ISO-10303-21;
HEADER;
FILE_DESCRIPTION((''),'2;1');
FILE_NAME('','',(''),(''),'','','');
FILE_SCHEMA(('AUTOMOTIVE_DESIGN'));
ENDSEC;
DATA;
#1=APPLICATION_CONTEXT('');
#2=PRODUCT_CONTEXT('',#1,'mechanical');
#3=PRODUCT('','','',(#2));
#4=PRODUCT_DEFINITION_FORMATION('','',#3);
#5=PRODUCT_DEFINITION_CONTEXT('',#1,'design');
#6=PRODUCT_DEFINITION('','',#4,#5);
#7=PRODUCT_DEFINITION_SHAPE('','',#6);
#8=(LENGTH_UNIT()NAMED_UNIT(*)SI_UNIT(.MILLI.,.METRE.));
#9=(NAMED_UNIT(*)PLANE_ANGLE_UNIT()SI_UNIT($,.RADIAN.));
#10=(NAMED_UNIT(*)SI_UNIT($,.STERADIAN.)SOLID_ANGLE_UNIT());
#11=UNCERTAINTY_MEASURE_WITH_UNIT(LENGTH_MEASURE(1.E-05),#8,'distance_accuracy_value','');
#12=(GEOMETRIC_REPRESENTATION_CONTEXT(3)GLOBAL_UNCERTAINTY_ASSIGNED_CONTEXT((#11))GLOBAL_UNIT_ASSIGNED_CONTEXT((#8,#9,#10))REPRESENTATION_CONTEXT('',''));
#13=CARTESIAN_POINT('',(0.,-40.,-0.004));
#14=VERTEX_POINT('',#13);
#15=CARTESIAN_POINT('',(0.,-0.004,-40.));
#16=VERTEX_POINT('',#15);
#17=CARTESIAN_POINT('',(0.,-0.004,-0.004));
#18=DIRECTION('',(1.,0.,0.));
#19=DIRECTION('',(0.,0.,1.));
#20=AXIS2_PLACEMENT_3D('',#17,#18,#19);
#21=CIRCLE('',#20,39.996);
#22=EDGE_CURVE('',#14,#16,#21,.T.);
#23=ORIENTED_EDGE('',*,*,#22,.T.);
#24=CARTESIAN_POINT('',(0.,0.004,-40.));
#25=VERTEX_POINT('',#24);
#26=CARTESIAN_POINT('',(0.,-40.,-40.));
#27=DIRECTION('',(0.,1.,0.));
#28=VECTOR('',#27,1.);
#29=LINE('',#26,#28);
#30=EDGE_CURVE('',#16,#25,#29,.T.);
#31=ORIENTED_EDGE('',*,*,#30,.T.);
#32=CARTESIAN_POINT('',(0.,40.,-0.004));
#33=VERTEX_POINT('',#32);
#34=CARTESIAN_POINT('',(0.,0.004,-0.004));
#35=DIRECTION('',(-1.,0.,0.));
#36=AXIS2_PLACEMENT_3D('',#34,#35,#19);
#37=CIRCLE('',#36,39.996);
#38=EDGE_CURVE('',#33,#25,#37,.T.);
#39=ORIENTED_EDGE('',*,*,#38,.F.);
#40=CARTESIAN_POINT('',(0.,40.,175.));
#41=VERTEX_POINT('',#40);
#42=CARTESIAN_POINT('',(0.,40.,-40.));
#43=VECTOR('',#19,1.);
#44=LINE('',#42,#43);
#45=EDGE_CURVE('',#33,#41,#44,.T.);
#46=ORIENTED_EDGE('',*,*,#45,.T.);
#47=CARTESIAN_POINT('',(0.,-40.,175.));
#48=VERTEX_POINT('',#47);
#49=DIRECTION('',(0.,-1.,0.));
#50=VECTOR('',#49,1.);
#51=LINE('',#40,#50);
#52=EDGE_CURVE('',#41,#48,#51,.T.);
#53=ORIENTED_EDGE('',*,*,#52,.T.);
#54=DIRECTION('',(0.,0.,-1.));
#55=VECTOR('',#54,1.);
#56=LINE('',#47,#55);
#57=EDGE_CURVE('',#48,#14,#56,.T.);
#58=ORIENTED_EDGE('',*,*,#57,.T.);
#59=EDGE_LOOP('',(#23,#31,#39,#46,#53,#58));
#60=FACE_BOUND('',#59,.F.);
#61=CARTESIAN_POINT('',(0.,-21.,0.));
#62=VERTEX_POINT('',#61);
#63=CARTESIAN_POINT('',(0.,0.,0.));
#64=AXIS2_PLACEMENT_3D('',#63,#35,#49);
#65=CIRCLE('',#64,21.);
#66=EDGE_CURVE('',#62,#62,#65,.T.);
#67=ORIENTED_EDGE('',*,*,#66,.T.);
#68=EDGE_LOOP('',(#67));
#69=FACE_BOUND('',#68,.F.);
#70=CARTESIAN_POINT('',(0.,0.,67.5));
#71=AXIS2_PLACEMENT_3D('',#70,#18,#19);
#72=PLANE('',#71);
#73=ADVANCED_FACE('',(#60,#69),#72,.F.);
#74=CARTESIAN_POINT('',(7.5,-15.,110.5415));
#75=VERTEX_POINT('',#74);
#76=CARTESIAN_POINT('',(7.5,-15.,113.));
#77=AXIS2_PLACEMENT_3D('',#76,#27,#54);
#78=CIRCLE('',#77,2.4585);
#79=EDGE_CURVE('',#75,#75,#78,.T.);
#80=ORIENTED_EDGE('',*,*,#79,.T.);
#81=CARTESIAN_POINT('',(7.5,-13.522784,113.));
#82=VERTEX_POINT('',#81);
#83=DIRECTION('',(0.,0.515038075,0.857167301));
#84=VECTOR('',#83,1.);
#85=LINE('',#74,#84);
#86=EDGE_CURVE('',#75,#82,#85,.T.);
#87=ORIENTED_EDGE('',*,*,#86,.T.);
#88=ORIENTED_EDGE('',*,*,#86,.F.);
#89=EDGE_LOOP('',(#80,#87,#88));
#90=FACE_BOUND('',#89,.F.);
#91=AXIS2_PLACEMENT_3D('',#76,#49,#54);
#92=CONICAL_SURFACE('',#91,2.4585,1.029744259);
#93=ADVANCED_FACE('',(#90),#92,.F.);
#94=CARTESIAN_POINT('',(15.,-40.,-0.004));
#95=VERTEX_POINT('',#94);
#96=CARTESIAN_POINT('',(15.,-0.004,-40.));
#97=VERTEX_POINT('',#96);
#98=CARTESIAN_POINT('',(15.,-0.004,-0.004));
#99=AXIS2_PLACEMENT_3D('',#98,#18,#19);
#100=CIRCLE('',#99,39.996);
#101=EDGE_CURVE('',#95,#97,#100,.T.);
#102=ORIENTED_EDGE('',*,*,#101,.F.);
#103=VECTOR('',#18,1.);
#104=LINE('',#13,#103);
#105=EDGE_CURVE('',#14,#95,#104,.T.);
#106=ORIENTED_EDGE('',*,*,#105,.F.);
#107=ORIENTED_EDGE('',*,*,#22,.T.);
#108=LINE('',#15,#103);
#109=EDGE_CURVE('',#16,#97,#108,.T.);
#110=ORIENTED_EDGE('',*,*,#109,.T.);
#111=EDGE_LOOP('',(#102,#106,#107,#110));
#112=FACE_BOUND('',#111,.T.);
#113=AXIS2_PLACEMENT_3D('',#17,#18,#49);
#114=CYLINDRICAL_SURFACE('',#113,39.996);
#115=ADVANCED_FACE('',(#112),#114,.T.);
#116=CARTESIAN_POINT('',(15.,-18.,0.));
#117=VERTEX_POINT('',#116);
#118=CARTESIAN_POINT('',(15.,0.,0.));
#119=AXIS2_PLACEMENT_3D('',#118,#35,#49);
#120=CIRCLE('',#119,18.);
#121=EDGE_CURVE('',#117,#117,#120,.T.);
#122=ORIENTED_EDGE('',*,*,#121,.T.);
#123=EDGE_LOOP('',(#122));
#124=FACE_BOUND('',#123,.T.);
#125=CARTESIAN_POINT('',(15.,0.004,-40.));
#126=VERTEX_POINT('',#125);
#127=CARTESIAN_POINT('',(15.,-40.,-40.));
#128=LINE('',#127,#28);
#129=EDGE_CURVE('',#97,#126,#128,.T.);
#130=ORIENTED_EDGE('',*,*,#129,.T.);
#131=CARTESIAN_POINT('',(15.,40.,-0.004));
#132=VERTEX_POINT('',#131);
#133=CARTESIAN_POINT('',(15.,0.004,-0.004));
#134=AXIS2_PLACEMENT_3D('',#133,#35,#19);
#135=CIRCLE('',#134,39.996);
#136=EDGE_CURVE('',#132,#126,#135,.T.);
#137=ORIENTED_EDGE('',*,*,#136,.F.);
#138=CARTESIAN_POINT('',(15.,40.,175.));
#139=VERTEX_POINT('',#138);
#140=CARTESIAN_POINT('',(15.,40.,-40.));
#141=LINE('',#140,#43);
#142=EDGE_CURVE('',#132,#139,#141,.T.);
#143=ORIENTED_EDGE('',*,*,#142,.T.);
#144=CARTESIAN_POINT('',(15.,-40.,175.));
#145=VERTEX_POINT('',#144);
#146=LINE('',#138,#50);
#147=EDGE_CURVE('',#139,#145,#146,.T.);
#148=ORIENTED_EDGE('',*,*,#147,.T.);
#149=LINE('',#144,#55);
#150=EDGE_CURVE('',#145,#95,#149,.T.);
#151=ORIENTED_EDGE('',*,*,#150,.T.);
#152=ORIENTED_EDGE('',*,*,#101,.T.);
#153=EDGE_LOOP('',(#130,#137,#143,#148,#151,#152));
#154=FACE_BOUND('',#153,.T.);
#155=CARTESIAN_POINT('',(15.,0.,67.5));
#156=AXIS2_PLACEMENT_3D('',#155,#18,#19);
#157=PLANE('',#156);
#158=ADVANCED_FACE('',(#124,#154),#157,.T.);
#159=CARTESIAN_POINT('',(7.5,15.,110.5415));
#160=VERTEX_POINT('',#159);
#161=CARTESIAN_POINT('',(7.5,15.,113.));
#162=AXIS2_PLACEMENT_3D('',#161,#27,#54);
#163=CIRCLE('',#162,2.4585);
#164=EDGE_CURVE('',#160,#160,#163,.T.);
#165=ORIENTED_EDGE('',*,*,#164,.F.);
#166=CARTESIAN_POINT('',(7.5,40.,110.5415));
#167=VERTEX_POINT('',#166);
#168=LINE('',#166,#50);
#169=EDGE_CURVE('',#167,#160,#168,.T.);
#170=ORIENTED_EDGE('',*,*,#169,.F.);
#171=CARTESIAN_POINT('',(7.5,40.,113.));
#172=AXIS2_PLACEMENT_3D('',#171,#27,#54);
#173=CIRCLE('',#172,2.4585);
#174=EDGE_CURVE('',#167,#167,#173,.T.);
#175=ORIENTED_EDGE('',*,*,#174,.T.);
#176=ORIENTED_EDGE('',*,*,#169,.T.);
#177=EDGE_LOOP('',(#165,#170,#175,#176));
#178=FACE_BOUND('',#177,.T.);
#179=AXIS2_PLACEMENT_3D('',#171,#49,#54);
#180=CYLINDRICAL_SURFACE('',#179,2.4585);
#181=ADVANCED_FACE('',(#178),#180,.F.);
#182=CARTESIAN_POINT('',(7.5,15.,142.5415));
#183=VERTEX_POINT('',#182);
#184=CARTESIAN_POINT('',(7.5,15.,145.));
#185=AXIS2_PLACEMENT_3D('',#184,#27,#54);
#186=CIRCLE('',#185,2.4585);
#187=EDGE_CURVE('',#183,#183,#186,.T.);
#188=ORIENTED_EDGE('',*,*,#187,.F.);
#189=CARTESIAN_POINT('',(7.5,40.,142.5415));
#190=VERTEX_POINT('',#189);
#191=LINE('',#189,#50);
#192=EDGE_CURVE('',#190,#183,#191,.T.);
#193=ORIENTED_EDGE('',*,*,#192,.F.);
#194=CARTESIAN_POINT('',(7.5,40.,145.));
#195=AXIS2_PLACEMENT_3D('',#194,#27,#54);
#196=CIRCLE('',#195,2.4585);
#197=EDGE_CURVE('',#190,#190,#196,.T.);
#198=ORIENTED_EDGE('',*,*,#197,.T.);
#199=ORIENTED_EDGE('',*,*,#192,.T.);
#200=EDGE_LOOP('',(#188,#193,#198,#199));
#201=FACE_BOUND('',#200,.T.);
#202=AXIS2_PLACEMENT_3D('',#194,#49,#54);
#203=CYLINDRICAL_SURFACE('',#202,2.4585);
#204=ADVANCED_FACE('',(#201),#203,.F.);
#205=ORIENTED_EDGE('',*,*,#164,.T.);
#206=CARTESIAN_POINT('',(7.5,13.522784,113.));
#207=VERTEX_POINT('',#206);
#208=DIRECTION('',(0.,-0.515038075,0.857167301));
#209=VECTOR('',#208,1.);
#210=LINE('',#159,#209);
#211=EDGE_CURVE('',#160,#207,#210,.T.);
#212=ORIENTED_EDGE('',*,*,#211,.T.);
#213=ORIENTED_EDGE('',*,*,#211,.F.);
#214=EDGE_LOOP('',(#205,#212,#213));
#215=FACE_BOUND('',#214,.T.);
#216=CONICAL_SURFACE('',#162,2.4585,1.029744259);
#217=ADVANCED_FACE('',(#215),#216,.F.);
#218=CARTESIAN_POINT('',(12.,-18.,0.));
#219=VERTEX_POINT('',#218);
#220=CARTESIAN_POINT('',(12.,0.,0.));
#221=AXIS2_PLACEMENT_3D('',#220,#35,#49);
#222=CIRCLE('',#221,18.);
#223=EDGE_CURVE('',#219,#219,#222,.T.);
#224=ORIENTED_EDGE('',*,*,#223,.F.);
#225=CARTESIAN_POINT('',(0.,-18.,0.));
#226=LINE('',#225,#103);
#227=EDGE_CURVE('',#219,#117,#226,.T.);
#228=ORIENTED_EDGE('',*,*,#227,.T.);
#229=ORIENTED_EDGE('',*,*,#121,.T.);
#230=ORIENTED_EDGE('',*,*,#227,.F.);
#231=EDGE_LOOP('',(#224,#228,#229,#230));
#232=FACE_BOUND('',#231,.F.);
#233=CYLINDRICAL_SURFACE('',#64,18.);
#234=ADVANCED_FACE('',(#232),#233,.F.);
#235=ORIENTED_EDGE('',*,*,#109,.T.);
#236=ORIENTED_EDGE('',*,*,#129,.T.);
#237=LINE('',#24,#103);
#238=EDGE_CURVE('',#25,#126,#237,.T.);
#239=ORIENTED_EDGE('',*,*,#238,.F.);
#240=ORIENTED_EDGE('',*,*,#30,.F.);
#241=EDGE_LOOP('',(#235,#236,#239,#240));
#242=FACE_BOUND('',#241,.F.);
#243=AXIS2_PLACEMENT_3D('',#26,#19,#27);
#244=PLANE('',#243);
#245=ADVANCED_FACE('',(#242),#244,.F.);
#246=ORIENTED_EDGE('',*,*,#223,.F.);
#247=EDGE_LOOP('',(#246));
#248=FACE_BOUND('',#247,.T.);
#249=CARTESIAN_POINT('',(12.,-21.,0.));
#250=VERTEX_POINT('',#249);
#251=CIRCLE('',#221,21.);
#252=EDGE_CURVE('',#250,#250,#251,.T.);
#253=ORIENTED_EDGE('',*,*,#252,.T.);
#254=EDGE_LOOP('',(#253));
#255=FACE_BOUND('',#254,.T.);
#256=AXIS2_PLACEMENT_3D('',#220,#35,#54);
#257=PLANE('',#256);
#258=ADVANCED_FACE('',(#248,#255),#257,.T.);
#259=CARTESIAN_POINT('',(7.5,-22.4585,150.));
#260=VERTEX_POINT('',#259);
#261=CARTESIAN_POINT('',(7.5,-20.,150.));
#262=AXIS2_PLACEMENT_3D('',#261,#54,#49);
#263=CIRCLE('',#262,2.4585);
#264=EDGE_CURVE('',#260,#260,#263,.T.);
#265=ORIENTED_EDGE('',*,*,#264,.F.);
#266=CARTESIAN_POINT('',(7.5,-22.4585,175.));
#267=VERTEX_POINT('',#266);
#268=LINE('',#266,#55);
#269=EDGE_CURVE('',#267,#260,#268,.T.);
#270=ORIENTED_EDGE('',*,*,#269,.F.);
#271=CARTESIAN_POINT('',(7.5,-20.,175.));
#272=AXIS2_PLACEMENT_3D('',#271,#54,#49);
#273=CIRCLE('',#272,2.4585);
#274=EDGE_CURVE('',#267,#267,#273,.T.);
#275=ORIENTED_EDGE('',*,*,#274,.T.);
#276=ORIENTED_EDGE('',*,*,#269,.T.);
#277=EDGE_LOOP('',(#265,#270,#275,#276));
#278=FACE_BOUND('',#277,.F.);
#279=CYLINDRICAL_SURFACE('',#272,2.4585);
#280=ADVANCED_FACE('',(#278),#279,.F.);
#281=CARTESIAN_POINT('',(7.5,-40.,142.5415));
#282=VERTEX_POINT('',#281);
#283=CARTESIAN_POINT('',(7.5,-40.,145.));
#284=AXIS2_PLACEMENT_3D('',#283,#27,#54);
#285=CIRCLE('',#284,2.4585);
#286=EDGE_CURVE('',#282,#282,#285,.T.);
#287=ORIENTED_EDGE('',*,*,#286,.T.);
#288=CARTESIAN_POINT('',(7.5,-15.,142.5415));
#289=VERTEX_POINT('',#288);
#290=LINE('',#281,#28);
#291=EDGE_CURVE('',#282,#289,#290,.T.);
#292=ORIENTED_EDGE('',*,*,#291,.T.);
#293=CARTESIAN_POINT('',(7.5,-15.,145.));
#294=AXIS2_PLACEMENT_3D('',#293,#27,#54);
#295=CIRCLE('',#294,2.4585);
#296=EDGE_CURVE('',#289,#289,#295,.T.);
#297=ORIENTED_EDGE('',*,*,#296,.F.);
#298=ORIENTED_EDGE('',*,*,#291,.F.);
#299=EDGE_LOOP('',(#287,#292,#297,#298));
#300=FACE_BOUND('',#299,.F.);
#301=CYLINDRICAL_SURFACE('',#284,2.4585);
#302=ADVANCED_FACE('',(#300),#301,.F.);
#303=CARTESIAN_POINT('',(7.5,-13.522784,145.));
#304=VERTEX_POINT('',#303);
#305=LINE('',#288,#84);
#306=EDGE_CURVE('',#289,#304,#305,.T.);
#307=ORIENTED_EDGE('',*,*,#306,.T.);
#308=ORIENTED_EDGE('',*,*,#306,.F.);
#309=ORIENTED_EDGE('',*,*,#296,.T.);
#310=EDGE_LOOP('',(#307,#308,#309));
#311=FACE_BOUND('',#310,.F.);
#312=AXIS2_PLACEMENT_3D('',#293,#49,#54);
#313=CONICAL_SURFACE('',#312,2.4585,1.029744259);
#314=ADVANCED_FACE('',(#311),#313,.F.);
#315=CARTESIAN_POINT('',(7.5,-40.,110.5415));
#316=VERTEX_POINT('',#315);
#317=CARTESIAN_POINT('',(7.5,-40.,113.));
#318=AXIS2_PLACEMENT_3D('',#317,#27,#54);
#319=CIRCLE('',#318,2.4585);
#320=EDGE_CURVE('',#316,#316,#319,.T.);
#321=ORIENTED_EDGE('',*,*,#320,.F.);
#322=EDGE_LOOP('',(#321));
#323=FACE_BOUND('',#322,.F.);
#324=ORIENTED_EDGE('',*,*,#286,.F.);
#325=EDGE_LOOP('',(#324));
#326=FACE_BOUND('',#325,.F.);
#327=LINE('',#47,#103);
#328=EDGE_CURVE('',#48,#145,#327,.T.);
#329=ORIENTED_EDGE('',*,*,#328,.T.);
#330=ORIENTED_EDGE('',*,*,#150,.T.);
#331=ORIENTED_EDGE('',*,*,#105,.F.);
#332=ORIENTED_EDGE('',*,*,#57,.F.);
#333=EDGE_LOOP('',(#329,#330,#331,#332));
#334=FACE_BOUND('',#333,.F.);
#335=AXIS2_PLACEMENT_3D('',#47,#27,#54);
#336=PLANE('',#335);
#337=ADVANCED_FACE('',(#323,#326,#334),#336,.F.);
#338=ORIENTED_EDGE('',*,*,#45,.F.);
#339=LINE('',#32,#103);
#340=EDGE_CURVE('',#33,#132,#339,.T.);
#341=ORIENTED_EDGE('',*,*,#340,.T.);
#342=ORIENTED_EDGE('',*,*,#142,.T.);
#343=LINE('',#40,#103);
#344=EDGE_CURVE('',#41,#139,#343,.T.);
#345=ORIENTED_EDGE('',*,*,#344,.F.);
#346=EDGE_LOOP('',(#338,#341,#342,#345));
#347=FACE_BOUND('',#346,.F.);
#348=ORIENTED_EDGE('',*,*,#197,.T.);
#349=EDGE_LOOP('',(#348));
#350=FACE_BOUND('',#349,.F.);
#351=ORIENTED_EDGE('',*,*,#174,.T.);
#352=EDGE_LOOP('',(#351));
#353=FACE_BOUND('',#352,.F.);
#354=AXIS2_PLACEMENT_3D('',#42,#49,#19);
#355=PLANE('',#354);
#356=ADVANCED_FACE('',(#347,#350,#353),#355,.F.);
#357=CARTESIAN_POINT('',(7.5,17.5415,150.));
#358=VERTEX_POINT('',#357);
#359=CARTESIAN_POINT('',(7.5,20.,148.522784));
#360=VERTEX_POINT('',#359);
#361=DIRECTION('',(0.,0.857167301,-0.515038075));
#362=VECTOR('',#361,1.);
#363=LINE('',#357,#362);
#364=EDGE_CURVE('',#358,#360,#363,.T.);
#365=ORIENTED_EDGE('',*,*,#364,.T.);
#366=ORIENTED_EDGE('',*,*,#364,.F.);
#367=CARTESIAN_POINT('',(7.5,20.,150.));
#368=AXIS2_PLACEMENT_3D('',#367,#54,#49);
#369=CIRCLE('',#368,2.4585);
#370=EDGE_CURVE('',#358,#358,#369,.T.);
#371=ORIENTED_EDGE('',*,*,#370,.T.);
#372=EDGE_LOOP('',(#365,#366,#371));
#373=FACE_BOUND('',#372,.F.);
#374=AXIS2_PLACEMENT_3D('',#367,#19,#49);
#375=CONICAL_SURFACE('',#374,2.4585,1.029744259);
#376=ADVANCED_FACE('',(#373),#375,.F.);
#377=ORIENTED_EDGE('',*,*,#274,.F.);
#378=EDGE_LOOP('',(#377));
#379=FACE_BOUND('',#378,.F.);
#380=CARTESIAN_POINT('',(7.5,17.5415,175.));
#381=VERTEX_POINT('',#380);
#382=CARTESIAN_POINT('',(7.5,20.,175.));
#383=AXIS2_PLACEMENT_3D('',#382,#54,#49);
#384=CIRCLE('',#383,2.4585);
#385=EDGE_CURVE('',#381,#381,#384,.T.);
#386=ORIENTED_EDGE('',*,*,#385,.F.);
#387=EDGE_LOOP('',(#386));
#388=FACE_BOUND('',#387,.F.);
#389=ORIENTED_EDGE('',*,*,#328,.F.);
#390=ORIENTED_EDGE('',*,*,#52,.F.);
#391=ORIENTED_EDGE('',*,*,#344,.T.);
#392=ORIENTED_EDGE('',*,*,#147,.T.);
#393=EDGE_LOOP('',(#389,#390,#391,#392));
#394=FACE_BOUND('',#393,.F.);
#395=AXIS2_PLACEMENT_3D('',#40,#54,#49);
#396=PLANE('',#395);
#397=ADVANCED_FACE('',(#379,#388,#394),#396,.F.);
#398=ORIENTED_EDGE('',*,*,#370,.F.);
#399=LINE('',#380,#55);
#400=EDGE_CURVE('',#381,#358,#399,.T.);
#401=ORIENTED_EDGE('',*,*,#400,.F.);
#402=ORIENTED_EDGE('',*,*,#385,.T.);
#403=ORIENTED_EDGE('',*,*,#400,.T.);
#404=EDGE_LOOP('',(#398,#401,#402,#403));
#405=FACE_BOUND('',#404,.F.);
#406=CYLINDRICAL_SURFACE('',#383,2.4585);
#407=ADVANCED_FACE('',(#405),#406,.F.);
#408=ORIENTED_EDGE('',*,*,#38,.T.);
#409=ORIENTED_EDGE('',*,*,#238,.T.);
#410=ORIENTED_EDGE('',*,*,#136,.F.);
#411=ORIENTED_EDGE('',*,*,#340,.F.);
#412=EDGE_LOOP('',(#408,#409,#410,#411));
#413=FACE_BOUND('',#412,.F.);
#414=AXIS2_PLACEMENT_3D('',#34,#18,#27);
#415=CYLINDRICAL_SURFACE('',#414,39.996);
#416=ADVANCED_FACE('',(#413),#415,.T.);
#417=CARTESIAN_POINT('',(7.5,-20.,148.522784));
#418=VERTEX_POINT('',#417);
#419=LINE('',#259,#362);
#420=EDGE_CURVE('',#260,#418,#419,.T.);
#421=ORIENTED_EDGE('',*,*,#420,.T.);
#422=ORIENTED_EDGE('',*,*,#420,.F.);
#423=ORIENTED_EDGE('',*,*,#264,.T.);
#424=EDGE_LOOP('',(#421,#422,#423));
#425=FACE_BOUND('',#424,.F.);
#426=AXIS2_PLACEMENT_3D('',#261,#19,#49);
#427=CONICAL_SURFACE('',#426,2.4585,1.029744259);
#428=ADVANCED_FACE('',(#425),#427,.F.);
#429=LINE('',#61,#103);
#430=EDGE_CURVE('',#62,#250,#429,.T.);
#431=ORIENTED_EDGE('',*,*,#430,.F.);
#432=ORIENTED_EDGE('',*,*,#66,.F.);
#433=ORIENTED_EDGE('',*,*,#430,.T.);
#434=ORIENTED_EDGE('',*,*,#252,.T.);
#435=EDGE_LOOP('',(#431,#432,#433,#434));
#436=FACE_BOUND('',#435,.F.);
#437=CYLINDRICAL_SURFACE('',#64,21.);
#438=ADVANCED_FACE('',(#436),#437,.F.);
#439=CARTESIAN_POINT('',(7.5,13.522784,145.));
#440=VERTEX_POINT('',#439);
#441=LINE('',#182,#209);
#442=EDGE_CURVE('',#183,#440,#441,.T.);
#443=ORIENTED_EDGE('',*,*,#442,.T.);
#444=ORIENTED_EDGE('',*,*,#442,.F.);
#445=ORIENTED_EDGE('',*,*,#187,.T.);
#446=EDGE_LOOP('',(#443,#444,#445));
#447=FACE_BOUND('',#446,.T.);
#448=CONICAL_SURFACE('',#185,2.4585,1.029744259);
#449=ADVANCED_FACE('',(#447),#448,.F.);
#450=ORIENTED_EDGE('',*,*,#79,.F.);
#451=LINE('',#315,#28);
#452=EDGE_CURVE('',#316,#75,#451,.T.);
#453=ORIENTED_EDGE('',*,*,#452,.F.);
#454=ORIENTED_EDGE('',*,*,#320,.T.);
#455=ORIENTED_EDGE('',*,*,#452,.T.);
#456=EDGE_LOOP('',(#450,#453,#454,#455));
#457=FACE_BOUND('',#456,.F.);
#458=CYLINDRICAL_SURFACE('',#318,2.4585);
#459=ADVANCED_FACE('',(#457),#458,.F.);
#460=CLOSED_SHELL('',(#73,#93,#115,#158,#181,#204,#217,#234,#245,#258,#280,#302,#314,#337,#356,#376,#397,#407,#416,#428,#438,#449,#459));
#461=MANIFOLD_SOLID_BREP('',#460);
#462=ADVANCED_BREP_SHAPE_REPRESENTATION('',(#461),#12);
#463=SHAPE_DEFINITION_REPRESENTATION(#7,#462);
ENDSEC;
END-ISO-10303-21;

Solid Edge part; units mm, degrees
sketch "Sketch1" plane through (0, 0, 0) normal (1, 0, 0) x (0, 1, 0)
  line L0 (40, 175) -> (-40, 175)
  line L1 (-40, 175) -> (-40, -40)
  line L2 (-40, -40) -> (40, -40)
  line L3 (40, -40) -> (40, 175)
extrude "Protrusion1" add sketch "Sketch1" along normal blind 15
sketch "Sketch2" plane through (0, 0, 35) normal (-1, 0, 0) x (0, -1, 0)
  circle A0 centre (0, -35) radius 18
extrude "Extrusionsausschnitt_1" cut sketch "Sketch2" against normal blind 145
sketch "Sketch3" plane through (0, 0, 35) normal (-1, 0, 0) x (0, -1, 0)
  circle A0 centre (0, -35) radius 21
extrude "Extrusionsausschnitt_2" cut sketch "Sketch3" against normal blind 12
fillet "Verrundung_1" radius 40 2 edges at (7.5, 40, -40) (7.5, -40, -40)
hole "Bohrung_1" at (7.5, -40, 113) direction (0, 1, 0) diameter 4.917 depth 25 tip angle 118 thread major 6 thread length 20
hole "Hole1" at (7.5, -40, 145) direction (0, 1, 0) diameter 4.917 depth 25 tip angle 118 thread major 6 thread length 20
hole "Bohrung_3" at (7.5, 20, 175) direction (0, 0, -1) diameter 4.917 depth 25 tip angle 118 thread major 6 thread length 20
hole "Hole2" at (7.5, -20, 175) direction (0, 0, -1) diameter 4.917 depth 25 tip angle 118 thread major 6 thread length 20
mirror "Mirror1" about plane through (0, 0, 0) normal (0, -1, 0) of "Bohrung_1", "Hole1"
